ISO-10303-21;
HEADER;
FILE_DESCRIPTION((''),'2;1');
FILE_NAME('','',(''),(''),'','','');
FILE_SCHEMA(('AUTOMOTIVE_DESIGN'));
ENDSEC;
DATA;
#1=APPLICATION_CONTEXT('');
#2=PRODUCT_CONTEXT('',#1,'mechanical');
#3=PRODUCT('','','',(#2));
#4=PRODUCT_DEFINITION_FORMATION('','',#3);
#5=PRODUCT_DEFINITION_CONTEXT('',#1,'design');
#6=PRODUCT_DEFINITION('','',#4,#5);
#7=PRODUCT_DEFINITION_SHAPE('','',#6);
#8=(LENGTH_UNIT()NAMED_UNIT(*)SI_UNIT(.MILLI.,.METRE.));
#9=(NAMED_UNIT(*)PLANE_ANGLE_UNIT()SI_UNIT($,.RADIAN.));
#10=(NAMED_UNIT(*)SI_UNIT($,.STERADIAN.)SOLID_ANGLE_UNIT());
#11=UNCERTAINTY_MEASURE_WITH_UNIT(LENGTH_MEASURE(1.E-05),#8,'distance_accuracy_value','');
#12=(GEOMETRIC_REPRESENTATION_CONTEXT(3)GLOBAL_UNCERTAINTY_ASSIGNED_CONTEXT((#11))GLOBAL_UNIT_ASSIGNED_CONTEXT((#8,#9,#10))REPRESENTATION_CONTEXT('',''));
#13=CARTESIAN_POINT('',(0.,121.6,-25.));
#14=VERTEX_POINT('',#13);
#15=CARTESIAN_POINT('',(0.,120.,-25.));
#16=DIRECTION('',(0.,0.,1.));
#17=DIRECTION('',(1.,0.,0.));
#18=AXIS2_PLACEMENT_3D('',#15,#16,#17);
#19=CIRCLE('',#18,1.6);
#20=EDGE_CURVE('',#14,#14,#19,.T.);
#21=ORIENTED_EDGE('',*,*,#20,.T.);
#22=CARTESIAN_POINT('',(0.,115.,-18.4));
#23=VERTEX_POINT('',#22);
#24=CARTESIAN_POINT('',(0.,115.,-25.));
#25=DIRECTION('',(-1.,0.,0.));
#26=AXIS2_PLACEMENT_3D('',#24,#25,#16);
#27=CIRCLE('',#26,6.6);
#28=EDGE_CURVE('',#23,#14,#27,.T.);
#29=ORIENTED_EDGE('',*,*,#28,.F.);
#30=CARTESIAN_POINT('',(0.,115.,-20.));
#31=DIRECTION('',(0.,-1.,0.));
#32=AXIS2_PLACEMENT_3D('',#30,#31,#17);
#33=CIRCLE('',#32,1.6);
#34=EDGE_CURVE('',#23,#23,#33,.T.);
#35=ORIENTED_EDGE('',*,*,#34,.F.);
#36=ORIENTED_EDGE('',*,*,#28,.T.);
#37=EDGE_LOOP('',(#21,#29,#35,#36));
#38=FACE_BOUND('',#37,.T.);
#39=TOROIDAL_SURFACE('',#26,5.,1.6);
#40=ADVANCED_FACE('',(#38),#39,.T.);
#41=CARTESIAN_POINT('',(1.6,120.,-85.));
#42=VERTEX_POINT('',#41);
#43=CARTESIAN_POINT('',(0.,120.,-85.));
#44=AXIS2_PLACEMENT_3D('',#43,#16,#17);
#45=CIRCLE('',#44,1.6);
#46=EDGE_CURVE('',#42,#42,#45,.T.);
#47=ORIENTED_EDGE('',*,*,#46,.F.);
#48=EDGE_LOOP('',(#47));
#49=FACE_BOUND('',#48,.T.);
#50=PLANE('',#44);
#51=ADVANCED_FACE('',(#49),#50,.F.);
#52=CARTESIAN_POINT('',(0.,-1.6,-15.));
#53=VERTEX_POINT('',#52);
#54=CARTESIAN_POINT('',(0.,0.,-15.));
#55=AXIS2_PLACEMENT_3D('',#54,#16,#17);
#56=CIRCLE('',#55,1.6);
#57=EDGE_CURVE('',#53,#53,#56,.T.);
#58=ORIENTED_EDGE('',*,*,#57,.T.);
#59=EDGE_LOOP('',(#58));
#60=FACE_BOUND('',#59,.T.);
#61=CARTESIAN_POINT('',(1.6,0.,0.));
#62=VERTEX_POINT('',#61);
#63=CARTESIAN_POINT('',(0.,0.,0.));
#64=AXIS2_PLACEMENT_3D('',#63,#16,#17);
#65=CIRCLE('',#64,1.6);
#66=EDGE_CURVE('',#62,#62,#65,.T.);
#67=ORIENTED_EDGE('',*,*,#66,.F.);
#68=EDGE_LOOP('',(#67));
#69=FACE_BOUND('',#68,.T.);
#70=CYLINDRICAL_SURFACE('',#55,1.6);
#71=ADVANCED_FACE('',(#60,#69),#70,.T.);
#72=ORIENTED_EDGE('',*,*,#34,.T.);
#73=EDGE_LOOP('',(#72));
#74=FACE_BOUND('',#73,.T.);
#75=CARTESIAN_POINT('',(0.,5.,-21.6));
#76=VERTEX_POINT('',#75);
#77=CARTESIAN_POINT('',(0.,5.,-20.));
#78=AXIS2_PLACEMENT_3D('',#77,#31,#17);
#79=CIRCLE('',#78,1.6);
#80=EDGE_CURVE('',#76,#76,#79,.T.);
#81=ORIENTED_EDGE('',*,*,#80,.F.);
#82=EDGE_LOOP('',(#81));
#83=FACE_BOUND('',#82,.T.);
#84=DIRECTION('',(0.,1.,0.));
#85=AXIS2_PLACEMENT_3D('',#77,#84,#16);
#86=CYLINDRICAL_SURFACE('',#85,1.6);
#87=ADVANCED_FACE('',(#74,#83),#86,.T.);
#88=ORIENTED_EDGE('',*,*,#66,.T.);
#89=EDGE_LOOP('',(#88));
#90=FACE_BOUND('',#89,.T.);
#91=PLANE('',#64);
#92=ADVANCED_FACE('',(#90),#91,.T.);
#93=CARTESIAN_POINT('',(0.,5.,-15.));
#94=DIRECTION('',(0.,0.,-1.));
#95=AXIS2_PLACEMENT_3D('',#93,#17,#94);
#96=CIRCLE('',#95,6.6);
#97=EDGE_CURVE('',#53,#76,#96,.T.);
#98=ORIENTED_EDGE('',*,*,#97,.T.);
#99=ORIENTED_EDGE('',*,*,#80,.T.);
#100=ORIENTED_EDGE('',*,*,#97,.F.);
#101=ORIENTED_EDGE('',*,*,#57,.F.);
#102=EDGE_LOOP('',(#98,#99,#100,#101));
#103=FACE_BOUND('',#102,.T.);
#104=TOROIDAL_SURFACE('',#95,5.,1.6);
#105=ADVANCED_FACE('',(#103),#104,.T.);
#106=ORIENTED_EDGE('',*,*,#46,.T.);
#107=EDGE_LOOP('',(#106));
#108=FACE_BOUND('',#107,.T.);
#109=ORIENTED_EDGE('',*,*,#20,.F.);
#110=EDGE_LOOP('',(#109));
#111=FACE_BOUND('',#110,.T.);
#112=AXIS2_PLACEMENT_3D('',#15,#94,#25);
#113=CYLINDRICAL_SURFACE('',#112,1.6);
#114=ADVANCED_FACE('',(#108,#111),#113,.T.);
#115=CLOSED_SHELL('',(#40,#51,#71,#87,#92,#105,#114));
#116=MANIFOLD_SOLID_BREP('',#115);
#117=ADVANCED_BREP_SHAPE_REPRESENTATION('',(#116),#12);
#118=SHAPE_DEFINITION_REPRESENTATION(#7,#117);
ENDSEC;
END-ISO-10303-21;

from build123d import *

# Parameters (mm, degrees)
SKETCH1_R = 1.6


with BuildPart() as part:
    # Sweep1: sweep along a path in Sketch2
    with BuildLine(Plane(origin=(0, 0, 0), x_dir=(0, 0, -1), z_dir=(1, 0, 0))) as sweep1_path:
        Line((0, 0), (15, 0))
        ThreePointArc((15, 0), (18.535533906, 1.464466094), (20, 5))
        Line((20, 5), (20, 115))
        ThreePointArc((20, 115), (21.464466094, 118.535533906), (25, 120))
        Line((25, 120), (85, 120))
    # Sketch1 → Sweep1 (sweep)
    with BuildSketch(Plane.XY):
        Circle(SKETCH1_R)
    sweep(path=sweep1_path.line)


solid = part.part
